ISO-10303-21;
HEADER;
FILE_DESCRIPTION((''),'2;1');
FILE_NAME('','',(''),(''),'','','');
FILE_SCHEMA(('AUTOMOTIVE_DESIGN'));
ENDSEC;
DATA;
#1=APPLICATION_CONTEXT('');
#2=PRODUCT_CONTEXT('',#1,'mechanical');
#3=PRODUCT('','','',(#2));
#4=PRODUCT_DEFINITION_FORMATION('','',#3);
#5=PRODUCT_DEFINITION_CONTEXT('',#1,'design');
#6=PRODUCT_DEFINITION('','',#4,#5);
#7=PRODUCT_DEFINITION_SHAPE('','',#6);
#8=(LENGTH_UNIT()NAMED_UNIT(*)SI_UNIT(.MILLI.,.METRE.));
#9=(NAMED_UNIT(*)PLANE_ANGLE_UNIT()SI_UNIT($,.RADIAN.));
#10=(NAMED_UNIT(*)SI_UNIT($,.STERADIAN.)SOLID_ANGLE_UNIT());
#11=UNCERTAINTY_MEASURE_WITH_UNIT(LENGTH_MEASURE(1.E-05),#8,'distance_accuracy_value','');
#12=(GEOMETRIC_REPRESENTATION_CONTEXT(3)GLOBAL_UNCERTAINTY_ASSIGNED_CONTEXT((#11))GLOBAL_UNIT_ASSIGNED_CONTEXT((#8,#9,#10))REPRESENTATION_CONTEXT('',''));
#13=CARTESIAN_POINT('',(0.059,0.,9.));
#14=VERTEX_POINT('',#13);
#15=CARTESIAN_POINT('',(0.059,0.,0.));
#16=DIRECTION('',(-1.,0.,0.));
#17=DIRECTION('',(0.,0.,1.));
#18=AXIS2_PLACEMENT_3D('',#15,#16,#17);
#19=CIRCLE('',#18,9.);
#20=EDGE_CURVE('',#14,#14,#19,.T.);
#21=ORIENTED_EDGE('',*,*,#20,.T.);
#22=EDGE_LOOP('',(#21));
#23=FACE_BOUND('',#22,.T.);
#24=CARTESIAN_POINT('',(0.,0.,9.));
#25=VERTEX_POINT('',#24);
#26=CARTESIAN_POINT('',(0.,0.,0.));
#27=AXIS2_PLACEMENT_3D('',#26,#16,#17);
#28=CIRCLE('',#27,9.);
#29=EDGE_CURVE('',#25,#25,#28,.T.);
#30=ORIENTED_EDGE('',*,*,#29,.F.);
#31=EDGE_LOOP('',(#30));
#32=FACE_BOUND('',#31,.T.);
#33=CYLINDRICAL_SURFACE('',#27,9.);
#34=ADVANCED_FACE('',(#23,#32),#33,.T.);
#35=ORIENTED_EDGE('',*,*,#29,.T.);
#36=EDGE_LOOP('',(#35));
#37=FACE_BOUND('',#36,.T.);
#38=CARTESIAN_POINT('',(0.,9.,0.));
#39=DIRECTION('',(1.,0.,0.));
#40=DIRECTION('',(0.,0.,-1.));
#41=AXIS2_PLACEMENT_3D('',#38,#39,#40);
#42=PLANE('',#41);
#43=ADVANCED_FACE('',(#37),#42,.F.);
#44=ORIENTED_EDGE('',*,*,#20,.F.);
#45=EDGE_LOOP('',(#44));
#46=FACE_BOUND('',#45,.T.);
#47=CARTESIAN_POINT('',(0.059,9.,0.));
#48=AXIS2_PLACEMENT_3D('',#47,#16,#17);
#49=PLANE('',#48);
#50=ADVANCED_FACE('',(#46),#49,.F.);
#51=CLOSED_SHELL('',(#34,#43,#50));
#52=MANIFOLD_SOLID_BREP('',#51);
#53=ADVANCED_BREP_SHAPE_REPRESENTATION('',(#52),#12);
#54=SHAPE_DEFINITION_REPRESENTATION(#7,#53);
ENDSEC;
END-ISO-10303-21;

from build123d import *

# Parameters (mm, degrees)
SKETCH_1_W = 0.059
SKETCH_1_H = 9


with BuildPart() as part:
    # 草图1 → 旋转2 (revolve)
    with BuildSketch(Plane.XY, mode=Mode.PRIVATE) as revolve_2_sk:
        with Locations((0.0295, 4.5)):
            Rectangle(SKETCH_1_W, SKETCH_1_H)
    revolve(revolve_2_sk.sketch.rotate(Axis((0, 0, 0), (1, 0, 0)), 90), axis=Axis((0, 0, 0), (1, 0, 0)))  # turned: the seam where the file's is


solid = part.part
